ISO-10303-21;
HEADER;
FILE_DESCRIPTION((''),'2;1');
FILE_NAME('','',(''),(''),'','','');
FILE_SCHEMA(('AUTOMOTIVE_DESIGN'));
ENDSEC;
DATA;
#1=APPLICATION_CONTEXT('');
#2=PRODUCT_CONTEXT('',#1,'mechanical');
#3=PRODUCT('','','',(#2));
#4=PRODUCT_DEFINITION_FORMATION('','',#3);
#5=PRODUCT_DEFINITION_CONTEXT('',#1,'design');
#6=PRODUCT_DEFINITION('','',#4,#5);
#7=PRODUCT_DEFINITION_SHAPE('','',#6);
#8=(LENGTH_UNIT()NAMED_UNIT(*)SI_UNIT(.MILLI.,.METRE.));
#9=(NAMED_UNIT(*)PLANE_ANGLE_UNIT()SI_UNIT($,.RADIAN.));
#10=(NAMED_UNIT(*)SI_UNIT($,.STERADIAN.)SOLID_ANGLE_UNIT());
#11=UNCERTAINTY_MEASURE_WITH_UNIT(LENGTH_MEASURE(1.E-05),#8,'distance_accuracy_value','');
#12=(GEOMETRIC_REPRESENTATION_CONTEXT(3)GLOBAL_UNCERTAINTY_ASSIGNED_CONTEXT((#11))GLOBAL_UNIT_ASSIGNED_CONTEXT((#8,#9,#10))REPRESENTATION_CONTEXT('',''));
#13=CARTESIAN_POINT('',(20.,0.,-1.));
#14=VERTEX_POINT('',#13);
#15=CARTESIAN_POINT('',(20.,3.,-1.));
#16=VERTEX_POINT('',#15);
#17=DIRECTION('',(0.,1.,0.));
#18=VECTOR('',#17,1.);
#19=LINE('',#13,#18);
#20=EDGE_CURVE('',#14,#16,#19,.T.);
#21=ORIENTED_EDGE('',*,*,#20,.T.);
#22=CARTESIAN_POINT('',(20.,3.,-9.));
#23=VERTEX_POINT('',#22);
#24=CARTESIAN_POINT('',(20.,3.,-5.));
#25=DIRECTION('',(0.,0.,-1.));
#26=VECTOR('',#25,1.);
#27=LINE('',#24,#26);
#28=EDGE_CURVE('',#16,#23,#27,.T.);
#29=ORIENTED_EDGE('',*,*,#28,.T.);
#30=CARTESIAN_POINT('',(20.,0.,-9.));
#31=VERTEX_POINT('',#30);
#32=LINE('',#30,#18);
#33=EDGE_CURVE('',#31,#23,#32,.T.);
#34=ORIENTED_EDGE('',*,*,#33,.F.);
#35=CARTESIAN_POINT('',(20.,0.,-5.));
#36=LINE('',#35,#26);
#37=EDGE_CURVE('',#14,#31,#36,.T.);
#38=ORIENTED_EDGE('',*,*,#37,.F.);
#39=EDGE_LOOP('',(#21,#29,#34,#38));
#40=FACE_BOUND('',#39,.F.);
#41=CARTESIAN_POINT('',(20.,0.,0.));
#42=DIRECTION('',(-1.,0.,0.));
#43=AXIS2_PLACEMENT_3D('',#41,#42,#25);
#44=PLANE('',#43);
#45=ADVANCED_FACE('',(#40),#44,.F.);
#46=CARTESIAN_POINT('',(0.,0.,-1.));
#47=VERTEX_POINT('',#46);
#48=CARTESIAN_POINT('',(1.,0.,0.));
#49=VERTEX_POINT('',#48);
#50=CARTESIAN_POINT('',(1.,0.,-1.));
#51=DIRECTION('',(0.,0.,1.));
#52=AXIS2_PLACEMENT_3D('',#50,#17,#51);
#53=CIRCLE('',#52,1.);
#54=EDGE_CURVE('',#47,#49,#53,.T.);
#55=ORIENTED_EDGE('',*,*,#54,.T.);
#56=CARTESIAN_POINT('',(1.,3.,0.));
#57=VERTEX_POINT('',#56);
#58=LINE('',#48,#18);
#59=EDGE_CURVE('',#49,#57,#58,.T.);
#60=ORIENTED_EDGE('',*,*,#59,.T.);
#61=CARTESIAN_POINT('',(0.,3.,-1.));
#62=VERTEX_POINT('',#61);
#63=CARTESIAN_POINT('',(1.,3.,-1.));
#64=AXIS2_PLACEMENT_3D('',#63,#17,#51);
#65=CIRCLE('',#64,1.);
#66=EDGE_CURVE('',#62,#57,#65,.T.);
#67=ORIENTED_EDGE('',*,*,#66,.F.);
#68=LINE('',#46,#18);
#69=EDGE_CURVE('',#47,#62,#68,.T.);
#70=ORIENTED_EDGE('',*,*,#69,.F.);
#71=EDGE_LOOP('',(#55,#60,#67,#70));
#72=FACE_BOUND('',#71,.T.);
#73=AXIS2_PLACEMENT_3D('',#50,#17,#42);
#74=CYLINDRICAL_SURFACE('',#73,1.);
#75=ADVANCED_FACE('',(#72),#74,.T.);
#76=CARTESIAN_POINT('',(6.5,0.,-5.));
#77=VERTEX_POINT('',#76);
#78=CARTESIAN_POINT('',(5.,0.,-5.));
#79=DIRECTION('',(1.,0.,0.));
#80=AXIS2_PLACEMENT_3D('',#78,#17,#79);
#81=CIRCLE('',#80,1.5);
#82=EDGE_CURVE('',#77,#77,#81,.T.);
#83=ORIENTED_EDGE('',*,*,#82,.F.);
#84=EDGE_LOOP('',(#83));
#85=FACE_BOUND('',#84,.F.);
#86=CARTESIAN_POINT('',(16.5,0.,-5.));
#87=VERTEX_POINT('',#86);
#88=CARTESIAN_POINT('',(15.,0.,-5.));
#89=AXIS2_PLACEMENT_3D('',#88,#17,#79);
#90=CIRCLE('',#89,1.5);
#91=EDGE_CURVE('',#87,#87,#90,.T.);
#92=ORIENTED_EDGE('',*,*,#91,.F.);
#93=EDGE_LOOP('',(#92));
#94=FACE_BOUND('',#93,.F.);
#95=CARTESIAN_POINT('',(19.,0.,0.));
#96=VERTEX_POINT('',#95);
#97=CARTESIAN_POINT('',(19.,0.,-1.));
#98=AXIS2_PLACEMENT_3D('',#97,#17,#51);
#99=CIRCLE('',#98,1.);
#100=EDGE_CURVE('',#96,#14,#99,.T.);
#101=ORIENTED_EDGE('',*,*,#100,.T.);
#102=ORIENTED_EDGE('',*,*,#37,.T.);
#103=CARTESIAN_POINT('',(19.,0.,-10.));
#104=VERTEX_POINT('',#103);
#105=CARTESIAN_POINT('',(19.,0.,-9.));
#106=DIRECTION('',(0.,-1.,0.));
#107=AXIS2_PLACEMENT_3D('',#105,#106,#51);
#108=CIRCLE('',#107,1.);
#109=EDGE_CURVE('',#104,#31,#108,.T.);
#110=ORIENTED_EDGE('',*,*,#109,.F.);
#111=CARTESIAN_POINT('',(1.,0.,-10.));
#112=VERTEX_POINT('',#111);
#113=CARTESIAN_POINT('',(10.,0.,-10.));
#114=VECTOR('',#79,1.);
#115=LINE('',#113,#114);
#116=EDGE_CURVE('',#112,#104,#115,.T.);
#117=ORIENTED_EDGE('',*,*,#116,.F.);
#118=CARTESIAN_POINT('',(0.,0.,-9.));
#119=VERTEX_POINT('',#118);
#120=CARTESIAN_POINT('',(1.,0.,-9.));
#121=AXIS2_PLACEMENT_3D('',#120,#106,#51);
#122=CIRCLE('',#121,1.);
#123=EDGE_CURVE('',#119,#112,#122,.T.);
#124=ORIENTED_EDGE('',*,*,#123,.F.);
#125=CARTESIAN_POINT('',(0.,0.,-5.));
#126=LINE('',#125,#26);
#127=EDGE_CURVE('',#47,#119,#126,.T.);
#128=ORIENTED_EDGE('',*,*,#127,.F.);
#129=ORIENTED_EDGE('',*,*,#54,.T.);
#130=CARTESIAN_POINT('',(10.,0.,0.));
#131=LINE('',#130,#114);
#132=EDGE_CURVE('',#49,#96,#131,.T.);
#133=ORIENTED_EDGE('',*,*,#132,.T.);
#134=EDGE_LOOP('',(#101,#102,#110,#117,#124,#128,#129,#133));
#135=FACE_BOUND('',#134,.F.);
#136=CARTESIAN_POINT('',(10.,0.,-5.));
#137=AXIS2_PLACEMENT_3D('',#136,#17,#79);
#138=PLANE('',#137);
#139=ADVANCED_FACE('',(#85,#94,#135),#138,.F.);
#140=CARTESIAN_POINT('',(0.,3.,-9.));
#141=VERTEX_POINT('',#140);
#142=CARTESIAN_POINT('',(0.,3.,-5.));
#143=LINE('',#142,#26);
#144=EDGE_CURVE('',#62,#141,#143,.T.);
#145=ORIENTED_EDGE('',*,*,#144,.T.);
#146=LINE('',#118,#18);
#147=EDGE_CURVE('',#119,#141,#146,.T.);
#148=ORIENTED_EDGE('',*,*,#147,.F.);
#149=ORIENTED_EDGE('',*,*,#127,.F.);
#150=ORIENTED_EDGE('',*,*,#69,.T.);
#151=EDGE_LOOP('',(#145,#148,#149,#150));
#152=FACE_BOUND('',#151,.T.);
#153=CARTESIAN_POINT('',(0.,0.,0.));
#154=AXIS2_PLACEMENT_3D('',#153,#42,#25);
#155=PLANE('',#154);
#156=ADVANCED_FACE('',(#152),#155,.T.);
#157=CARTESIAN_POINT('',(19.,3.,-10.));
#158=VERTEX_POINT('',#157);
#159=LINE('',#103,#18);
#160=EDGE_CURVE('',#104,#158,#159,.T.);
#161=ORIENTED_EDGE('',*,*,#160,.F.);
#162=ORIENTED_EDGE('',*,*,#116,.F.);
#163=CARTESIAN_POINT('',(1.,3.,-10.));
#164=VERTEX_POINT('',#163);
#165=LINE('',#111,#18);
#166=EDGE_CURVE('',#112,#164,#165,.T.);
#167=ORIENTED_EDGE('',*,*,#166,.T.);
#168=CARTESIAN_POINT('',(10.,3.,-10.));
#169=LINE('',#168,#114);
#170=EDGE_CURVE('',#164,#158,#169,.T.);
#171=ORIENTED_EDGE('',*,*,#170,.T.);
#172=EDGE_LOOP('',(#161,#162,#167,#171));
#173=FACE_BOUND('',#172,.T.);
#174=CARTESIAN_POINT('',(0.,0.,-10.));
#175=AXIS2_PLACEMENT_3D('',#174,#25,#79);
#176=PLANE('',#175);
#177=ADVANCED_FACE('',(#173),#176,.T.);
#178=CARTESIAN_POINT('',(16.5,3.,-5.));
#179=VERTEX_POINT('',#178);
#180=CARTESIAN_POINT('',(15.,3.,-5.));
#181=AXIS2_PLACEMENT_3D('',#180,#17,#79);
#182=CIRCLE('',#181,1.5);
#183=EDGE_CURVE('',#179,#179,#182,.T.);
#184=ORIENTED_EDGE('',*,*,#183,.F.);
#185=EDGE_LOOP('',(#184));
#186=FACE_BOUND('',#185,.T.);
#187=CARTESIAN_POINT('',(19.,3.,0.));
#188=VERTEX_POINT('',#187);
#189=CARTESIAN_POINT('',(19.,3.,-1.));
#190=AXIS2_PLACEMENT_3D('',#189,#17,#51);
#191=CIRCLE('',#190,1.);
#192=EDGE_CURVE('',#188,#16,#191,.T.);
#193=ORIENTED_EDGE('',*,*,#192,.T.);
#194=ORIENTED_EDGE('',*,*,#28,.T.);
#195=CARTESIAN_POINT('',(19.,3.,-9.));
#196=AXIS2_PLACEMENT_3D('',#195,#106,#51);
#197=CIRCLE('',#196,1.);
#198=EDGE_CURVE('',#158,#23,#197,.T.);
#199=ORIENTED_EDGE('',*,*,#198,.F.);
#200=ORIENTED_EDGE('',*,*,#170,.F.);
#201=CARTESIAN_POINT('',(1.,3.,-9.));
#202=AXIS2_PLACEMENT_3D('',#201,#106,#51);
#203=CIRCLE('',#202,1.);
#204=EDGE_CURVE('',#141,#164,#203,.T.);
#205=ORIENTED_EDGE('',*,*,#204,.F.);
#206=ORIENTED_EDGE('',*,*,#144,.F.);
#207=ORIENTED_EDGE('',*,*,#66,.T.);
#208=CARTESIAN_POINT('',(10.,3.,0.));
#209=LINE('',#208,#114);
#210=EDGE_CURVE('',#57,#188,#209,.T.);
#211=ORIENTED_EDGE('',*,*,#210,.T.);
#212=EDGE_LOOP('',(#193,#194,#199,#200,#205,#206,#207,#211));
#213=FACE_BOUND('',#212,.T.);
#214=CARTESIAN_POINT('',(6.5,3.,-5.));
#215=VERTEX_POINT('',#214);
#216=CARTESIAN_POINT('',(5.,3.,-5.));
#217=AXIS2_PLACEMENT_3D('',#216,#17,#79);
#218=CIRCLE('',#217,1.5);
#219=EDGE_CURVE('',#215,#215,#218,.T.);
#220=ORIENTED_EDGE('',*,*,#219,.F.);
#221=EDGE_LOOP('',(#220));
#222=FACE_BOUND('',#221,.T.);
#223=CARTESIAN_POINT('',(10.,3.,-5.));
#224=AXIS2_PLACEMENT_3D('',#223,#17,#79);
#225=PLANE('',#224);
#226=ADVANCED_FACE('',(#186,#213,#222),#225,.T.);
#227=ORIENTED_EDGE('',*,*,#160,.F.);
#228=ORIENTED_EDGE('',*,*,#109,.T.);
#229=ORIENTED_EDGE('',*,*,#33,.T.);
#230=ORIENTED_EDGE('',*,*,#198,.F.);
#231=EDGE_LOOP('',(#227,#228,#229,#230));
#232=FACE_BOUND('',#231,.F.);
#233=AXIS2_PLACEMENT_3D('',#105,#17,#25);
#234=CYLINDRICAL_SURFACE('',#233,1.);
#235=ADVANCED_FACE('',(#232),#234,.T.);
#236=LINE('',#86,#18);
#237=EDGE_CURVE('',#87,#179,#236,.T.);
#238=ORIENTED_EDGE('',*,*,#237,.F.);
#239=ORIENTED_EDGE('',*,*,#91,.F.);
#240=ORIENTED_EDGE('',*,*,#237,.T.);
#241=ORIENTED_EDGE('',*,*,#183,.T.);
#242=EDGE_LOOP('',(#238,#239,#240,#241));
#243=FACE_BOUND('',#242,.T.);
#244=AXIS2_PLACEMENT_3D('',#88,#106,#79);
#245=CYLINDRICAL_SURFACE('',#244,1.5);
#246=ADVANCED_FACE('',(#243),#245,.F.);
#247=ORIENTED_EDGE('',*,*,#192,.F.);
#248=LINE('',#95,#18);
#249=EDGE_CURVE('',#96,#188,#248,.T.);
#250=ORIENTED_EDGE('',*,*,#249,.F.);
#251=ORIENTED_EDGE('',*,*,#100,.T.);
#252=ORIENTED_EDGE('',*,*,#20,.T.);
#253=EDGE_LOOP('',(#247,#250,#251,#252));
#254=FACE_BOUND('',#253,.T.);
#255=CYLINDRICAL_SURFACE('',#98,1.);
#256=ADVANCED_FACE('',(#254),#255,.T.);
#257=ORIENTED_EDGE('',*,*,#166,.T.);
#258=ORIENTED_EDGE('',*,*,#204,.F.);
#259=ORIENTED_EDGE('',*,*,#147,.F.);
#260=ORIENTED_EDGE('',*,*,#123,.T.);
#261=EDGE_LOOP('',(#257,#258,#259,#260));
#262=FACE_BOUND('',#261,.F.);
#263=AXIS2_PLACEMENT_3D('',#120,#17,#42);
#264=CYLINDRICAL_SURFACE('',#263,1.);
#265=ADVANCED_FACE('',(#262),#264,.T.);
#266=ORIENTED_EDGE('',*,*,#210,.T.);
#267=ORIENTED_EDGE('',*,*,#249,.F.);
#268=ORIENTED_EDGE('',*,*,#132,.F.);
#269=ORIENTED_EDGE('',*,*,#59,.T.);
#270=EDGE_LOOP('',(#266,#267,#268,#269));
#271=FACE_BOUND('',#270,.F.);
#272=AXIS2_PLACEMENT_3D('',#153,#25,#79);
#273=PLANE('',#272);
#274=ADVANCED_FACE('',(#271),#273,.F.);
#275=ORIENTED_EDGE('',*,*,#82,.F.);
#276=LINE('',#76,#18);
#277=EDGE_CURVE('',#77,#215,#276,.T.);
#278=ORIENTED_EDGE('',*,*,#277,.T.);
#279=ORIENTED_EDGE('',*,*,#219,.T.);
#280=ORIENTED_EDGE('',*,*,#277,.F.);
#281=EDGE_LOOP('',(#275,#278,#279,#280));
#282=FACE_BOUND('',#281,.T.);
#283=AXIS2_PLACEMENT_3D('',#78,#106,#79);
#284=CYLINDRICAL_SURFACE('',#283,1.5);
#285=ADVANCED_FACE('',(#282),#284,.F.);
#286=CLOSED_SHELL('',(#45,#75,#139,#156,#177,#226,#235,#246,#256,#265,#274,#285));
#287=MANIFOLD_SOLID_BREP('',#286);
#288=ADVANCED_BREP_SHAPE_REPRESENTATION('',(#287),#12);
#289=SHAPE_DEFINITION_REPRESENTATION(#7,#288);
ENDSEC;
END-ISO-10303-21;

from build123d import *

# Parameters (mm, degrees)
SKETCH1_W           = 20
SKETCH1_H           = 10
SKETCH1_R           = 1.5
BOSS_EXTRUDE1_DEPTH = 3
FILLET1_R           = 1


with BuildPart() as part:
    # Sketch1 → Boss-Extrude1 (new body)
    with BuildSketch(Plane(origin=(0, 0, 0), x_dir=(1, 0, 0), z_dir=(0, 1, 0))):
        with Locations((10, 5)):
            Rectangle(SKETCH1_W, SKETCH1_H)
        with Locations((5, 5)):
            Circle(SKETCH1_R, mode=Mode.SUBTRACT)
        with Locations((15, 5)):
            Circle(SKETCH1_R, mode=Mode.SUBTRACT)
    extrude(amount=BOSS_EXTRUDE1_DEPTH)

    # Fillet1
    fillet1_edges = [part.edges().sort_by_distance(p)[0] for p in [
        (0, 1.5, -10),
        (20, 1.5, -10),
        (20, 1.5, 0),
        (0, 1.5, 0),
    ]]
    fillet(fillet1_edges, radius=FILLET1_R)


solid = part.part
